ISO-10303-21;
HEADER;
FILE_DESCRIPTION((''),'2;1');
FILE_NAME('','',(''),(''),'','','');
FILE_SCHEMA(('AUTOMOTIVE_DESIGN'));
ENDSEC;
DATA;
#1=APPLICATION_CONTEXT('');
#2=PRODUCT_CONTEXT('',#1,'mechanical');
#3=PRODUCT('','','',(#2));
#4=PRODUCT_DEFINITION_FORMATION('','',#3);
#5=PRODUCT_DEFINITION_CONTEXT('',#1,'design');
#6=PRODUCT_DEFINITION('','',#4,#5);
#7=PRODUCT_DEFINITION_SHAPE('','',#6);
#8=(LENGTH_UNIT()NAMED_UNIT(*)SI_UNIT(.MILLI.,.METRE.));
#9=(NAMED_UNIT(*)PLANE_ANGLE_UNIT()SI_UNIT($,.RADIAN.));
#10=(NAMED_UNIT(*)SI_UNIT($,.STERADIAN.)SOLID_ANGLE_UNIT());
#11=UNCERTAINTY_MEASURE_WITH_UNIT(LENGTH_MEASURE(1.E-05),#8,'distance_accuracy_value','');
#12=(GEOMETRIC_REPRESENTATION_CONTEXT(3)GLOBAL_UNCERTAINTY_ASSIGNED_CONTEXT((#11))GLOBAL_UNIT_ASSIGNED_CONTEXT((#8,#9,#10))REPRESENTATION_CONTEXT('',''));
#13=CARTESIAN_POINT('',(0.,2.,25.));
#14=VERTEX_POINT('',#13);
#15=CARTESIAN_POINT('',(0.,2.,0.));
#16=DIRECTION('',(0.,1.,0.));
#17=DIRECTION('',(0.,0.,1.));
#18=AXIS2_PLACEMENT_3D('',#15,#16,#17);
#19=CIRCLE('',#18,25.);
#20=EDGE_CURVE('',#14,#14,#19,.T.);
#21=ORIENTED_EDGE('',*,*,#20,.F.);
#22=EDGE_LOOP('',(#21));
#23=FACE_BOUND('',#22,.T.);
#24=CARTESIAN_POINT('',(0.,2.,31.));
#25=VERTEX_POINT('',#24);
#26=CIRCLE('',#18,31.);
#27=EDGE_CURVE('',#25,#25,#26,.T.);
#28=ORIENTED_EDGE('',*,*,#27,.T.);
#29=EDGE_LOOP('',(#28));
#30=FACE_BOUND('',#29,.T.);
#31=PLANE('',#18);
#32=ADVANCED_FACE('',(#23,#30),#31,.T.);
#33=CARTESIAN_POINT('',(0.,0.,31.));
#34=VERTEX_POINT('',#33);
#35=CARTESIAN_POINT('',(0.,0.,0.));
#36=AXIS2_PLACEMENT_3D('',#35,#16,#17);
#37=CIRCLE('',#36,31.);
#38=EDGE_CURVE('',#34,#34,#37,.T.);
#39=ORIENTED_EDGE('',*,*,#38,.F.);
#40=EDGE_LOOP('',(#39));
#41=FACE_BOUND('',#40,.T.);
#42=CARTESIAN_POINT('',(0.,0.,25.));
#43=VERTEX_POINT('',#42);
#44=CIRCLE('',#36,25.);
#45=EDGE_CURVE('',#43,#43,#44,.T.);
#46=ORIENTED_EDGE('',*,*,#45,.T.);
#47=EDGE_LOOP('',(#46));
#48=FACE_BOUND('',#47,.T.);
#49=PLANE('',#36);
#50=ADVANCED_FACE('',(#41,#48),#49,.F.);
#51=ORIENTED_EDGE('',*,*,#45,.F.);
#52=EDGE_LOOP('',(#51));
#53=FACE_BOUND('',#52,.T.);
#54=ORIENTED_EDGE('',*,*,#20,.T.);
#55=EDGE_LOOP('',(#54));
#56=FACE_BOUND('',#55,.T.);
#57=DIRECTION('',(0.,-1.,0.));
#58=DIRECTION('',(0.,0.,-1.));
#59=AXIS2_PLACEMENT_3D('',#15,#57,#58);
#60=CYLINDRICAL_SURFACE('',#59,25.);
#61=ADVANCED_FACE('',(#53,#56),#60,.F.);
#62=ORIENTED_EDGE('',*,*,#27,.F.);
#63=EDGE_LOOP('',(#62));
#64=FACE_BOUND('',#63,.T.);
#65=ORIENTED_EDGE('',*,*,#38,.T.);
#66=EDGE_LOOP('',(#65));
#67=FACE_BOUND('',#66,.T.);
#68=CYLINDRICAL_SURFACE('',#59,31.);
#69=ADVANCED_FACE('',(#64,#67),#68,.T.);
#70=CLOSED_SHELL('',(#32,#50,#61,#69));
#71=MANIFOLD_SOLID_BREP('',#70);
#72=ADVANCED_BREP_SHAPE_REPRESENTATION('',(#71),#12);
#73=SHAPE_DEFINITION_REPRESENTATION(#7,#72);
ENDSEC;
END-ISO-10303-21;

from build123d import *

# Parameters (mm, degrees)
SKETCH1_R           = 31
SKETCH1_R_2         = 25
BOSS_EXTRUDE1_DEPTH = 2


with BuildPart() as part:
    # Sketch1 → Boss-Extrude1 (new body)
    with BuildSketch(Plane(origin=(0, 0, 0), x_dir=(1, 0, 0), z_dir=(0, 1, 0))):
        with Locations(Location((0, 0, 0), (0, 0, 270))):
            Circle(SKETCH1_R)
        with Locations(Location((0, 0, 0), (0, 0, 270))):
            Circle(SKETCH1_R_2, mode=Mode.SUBTRACT)
    extrude(amount=BOSS_EXTRUDE1_DEPTH)


solid = part.part
